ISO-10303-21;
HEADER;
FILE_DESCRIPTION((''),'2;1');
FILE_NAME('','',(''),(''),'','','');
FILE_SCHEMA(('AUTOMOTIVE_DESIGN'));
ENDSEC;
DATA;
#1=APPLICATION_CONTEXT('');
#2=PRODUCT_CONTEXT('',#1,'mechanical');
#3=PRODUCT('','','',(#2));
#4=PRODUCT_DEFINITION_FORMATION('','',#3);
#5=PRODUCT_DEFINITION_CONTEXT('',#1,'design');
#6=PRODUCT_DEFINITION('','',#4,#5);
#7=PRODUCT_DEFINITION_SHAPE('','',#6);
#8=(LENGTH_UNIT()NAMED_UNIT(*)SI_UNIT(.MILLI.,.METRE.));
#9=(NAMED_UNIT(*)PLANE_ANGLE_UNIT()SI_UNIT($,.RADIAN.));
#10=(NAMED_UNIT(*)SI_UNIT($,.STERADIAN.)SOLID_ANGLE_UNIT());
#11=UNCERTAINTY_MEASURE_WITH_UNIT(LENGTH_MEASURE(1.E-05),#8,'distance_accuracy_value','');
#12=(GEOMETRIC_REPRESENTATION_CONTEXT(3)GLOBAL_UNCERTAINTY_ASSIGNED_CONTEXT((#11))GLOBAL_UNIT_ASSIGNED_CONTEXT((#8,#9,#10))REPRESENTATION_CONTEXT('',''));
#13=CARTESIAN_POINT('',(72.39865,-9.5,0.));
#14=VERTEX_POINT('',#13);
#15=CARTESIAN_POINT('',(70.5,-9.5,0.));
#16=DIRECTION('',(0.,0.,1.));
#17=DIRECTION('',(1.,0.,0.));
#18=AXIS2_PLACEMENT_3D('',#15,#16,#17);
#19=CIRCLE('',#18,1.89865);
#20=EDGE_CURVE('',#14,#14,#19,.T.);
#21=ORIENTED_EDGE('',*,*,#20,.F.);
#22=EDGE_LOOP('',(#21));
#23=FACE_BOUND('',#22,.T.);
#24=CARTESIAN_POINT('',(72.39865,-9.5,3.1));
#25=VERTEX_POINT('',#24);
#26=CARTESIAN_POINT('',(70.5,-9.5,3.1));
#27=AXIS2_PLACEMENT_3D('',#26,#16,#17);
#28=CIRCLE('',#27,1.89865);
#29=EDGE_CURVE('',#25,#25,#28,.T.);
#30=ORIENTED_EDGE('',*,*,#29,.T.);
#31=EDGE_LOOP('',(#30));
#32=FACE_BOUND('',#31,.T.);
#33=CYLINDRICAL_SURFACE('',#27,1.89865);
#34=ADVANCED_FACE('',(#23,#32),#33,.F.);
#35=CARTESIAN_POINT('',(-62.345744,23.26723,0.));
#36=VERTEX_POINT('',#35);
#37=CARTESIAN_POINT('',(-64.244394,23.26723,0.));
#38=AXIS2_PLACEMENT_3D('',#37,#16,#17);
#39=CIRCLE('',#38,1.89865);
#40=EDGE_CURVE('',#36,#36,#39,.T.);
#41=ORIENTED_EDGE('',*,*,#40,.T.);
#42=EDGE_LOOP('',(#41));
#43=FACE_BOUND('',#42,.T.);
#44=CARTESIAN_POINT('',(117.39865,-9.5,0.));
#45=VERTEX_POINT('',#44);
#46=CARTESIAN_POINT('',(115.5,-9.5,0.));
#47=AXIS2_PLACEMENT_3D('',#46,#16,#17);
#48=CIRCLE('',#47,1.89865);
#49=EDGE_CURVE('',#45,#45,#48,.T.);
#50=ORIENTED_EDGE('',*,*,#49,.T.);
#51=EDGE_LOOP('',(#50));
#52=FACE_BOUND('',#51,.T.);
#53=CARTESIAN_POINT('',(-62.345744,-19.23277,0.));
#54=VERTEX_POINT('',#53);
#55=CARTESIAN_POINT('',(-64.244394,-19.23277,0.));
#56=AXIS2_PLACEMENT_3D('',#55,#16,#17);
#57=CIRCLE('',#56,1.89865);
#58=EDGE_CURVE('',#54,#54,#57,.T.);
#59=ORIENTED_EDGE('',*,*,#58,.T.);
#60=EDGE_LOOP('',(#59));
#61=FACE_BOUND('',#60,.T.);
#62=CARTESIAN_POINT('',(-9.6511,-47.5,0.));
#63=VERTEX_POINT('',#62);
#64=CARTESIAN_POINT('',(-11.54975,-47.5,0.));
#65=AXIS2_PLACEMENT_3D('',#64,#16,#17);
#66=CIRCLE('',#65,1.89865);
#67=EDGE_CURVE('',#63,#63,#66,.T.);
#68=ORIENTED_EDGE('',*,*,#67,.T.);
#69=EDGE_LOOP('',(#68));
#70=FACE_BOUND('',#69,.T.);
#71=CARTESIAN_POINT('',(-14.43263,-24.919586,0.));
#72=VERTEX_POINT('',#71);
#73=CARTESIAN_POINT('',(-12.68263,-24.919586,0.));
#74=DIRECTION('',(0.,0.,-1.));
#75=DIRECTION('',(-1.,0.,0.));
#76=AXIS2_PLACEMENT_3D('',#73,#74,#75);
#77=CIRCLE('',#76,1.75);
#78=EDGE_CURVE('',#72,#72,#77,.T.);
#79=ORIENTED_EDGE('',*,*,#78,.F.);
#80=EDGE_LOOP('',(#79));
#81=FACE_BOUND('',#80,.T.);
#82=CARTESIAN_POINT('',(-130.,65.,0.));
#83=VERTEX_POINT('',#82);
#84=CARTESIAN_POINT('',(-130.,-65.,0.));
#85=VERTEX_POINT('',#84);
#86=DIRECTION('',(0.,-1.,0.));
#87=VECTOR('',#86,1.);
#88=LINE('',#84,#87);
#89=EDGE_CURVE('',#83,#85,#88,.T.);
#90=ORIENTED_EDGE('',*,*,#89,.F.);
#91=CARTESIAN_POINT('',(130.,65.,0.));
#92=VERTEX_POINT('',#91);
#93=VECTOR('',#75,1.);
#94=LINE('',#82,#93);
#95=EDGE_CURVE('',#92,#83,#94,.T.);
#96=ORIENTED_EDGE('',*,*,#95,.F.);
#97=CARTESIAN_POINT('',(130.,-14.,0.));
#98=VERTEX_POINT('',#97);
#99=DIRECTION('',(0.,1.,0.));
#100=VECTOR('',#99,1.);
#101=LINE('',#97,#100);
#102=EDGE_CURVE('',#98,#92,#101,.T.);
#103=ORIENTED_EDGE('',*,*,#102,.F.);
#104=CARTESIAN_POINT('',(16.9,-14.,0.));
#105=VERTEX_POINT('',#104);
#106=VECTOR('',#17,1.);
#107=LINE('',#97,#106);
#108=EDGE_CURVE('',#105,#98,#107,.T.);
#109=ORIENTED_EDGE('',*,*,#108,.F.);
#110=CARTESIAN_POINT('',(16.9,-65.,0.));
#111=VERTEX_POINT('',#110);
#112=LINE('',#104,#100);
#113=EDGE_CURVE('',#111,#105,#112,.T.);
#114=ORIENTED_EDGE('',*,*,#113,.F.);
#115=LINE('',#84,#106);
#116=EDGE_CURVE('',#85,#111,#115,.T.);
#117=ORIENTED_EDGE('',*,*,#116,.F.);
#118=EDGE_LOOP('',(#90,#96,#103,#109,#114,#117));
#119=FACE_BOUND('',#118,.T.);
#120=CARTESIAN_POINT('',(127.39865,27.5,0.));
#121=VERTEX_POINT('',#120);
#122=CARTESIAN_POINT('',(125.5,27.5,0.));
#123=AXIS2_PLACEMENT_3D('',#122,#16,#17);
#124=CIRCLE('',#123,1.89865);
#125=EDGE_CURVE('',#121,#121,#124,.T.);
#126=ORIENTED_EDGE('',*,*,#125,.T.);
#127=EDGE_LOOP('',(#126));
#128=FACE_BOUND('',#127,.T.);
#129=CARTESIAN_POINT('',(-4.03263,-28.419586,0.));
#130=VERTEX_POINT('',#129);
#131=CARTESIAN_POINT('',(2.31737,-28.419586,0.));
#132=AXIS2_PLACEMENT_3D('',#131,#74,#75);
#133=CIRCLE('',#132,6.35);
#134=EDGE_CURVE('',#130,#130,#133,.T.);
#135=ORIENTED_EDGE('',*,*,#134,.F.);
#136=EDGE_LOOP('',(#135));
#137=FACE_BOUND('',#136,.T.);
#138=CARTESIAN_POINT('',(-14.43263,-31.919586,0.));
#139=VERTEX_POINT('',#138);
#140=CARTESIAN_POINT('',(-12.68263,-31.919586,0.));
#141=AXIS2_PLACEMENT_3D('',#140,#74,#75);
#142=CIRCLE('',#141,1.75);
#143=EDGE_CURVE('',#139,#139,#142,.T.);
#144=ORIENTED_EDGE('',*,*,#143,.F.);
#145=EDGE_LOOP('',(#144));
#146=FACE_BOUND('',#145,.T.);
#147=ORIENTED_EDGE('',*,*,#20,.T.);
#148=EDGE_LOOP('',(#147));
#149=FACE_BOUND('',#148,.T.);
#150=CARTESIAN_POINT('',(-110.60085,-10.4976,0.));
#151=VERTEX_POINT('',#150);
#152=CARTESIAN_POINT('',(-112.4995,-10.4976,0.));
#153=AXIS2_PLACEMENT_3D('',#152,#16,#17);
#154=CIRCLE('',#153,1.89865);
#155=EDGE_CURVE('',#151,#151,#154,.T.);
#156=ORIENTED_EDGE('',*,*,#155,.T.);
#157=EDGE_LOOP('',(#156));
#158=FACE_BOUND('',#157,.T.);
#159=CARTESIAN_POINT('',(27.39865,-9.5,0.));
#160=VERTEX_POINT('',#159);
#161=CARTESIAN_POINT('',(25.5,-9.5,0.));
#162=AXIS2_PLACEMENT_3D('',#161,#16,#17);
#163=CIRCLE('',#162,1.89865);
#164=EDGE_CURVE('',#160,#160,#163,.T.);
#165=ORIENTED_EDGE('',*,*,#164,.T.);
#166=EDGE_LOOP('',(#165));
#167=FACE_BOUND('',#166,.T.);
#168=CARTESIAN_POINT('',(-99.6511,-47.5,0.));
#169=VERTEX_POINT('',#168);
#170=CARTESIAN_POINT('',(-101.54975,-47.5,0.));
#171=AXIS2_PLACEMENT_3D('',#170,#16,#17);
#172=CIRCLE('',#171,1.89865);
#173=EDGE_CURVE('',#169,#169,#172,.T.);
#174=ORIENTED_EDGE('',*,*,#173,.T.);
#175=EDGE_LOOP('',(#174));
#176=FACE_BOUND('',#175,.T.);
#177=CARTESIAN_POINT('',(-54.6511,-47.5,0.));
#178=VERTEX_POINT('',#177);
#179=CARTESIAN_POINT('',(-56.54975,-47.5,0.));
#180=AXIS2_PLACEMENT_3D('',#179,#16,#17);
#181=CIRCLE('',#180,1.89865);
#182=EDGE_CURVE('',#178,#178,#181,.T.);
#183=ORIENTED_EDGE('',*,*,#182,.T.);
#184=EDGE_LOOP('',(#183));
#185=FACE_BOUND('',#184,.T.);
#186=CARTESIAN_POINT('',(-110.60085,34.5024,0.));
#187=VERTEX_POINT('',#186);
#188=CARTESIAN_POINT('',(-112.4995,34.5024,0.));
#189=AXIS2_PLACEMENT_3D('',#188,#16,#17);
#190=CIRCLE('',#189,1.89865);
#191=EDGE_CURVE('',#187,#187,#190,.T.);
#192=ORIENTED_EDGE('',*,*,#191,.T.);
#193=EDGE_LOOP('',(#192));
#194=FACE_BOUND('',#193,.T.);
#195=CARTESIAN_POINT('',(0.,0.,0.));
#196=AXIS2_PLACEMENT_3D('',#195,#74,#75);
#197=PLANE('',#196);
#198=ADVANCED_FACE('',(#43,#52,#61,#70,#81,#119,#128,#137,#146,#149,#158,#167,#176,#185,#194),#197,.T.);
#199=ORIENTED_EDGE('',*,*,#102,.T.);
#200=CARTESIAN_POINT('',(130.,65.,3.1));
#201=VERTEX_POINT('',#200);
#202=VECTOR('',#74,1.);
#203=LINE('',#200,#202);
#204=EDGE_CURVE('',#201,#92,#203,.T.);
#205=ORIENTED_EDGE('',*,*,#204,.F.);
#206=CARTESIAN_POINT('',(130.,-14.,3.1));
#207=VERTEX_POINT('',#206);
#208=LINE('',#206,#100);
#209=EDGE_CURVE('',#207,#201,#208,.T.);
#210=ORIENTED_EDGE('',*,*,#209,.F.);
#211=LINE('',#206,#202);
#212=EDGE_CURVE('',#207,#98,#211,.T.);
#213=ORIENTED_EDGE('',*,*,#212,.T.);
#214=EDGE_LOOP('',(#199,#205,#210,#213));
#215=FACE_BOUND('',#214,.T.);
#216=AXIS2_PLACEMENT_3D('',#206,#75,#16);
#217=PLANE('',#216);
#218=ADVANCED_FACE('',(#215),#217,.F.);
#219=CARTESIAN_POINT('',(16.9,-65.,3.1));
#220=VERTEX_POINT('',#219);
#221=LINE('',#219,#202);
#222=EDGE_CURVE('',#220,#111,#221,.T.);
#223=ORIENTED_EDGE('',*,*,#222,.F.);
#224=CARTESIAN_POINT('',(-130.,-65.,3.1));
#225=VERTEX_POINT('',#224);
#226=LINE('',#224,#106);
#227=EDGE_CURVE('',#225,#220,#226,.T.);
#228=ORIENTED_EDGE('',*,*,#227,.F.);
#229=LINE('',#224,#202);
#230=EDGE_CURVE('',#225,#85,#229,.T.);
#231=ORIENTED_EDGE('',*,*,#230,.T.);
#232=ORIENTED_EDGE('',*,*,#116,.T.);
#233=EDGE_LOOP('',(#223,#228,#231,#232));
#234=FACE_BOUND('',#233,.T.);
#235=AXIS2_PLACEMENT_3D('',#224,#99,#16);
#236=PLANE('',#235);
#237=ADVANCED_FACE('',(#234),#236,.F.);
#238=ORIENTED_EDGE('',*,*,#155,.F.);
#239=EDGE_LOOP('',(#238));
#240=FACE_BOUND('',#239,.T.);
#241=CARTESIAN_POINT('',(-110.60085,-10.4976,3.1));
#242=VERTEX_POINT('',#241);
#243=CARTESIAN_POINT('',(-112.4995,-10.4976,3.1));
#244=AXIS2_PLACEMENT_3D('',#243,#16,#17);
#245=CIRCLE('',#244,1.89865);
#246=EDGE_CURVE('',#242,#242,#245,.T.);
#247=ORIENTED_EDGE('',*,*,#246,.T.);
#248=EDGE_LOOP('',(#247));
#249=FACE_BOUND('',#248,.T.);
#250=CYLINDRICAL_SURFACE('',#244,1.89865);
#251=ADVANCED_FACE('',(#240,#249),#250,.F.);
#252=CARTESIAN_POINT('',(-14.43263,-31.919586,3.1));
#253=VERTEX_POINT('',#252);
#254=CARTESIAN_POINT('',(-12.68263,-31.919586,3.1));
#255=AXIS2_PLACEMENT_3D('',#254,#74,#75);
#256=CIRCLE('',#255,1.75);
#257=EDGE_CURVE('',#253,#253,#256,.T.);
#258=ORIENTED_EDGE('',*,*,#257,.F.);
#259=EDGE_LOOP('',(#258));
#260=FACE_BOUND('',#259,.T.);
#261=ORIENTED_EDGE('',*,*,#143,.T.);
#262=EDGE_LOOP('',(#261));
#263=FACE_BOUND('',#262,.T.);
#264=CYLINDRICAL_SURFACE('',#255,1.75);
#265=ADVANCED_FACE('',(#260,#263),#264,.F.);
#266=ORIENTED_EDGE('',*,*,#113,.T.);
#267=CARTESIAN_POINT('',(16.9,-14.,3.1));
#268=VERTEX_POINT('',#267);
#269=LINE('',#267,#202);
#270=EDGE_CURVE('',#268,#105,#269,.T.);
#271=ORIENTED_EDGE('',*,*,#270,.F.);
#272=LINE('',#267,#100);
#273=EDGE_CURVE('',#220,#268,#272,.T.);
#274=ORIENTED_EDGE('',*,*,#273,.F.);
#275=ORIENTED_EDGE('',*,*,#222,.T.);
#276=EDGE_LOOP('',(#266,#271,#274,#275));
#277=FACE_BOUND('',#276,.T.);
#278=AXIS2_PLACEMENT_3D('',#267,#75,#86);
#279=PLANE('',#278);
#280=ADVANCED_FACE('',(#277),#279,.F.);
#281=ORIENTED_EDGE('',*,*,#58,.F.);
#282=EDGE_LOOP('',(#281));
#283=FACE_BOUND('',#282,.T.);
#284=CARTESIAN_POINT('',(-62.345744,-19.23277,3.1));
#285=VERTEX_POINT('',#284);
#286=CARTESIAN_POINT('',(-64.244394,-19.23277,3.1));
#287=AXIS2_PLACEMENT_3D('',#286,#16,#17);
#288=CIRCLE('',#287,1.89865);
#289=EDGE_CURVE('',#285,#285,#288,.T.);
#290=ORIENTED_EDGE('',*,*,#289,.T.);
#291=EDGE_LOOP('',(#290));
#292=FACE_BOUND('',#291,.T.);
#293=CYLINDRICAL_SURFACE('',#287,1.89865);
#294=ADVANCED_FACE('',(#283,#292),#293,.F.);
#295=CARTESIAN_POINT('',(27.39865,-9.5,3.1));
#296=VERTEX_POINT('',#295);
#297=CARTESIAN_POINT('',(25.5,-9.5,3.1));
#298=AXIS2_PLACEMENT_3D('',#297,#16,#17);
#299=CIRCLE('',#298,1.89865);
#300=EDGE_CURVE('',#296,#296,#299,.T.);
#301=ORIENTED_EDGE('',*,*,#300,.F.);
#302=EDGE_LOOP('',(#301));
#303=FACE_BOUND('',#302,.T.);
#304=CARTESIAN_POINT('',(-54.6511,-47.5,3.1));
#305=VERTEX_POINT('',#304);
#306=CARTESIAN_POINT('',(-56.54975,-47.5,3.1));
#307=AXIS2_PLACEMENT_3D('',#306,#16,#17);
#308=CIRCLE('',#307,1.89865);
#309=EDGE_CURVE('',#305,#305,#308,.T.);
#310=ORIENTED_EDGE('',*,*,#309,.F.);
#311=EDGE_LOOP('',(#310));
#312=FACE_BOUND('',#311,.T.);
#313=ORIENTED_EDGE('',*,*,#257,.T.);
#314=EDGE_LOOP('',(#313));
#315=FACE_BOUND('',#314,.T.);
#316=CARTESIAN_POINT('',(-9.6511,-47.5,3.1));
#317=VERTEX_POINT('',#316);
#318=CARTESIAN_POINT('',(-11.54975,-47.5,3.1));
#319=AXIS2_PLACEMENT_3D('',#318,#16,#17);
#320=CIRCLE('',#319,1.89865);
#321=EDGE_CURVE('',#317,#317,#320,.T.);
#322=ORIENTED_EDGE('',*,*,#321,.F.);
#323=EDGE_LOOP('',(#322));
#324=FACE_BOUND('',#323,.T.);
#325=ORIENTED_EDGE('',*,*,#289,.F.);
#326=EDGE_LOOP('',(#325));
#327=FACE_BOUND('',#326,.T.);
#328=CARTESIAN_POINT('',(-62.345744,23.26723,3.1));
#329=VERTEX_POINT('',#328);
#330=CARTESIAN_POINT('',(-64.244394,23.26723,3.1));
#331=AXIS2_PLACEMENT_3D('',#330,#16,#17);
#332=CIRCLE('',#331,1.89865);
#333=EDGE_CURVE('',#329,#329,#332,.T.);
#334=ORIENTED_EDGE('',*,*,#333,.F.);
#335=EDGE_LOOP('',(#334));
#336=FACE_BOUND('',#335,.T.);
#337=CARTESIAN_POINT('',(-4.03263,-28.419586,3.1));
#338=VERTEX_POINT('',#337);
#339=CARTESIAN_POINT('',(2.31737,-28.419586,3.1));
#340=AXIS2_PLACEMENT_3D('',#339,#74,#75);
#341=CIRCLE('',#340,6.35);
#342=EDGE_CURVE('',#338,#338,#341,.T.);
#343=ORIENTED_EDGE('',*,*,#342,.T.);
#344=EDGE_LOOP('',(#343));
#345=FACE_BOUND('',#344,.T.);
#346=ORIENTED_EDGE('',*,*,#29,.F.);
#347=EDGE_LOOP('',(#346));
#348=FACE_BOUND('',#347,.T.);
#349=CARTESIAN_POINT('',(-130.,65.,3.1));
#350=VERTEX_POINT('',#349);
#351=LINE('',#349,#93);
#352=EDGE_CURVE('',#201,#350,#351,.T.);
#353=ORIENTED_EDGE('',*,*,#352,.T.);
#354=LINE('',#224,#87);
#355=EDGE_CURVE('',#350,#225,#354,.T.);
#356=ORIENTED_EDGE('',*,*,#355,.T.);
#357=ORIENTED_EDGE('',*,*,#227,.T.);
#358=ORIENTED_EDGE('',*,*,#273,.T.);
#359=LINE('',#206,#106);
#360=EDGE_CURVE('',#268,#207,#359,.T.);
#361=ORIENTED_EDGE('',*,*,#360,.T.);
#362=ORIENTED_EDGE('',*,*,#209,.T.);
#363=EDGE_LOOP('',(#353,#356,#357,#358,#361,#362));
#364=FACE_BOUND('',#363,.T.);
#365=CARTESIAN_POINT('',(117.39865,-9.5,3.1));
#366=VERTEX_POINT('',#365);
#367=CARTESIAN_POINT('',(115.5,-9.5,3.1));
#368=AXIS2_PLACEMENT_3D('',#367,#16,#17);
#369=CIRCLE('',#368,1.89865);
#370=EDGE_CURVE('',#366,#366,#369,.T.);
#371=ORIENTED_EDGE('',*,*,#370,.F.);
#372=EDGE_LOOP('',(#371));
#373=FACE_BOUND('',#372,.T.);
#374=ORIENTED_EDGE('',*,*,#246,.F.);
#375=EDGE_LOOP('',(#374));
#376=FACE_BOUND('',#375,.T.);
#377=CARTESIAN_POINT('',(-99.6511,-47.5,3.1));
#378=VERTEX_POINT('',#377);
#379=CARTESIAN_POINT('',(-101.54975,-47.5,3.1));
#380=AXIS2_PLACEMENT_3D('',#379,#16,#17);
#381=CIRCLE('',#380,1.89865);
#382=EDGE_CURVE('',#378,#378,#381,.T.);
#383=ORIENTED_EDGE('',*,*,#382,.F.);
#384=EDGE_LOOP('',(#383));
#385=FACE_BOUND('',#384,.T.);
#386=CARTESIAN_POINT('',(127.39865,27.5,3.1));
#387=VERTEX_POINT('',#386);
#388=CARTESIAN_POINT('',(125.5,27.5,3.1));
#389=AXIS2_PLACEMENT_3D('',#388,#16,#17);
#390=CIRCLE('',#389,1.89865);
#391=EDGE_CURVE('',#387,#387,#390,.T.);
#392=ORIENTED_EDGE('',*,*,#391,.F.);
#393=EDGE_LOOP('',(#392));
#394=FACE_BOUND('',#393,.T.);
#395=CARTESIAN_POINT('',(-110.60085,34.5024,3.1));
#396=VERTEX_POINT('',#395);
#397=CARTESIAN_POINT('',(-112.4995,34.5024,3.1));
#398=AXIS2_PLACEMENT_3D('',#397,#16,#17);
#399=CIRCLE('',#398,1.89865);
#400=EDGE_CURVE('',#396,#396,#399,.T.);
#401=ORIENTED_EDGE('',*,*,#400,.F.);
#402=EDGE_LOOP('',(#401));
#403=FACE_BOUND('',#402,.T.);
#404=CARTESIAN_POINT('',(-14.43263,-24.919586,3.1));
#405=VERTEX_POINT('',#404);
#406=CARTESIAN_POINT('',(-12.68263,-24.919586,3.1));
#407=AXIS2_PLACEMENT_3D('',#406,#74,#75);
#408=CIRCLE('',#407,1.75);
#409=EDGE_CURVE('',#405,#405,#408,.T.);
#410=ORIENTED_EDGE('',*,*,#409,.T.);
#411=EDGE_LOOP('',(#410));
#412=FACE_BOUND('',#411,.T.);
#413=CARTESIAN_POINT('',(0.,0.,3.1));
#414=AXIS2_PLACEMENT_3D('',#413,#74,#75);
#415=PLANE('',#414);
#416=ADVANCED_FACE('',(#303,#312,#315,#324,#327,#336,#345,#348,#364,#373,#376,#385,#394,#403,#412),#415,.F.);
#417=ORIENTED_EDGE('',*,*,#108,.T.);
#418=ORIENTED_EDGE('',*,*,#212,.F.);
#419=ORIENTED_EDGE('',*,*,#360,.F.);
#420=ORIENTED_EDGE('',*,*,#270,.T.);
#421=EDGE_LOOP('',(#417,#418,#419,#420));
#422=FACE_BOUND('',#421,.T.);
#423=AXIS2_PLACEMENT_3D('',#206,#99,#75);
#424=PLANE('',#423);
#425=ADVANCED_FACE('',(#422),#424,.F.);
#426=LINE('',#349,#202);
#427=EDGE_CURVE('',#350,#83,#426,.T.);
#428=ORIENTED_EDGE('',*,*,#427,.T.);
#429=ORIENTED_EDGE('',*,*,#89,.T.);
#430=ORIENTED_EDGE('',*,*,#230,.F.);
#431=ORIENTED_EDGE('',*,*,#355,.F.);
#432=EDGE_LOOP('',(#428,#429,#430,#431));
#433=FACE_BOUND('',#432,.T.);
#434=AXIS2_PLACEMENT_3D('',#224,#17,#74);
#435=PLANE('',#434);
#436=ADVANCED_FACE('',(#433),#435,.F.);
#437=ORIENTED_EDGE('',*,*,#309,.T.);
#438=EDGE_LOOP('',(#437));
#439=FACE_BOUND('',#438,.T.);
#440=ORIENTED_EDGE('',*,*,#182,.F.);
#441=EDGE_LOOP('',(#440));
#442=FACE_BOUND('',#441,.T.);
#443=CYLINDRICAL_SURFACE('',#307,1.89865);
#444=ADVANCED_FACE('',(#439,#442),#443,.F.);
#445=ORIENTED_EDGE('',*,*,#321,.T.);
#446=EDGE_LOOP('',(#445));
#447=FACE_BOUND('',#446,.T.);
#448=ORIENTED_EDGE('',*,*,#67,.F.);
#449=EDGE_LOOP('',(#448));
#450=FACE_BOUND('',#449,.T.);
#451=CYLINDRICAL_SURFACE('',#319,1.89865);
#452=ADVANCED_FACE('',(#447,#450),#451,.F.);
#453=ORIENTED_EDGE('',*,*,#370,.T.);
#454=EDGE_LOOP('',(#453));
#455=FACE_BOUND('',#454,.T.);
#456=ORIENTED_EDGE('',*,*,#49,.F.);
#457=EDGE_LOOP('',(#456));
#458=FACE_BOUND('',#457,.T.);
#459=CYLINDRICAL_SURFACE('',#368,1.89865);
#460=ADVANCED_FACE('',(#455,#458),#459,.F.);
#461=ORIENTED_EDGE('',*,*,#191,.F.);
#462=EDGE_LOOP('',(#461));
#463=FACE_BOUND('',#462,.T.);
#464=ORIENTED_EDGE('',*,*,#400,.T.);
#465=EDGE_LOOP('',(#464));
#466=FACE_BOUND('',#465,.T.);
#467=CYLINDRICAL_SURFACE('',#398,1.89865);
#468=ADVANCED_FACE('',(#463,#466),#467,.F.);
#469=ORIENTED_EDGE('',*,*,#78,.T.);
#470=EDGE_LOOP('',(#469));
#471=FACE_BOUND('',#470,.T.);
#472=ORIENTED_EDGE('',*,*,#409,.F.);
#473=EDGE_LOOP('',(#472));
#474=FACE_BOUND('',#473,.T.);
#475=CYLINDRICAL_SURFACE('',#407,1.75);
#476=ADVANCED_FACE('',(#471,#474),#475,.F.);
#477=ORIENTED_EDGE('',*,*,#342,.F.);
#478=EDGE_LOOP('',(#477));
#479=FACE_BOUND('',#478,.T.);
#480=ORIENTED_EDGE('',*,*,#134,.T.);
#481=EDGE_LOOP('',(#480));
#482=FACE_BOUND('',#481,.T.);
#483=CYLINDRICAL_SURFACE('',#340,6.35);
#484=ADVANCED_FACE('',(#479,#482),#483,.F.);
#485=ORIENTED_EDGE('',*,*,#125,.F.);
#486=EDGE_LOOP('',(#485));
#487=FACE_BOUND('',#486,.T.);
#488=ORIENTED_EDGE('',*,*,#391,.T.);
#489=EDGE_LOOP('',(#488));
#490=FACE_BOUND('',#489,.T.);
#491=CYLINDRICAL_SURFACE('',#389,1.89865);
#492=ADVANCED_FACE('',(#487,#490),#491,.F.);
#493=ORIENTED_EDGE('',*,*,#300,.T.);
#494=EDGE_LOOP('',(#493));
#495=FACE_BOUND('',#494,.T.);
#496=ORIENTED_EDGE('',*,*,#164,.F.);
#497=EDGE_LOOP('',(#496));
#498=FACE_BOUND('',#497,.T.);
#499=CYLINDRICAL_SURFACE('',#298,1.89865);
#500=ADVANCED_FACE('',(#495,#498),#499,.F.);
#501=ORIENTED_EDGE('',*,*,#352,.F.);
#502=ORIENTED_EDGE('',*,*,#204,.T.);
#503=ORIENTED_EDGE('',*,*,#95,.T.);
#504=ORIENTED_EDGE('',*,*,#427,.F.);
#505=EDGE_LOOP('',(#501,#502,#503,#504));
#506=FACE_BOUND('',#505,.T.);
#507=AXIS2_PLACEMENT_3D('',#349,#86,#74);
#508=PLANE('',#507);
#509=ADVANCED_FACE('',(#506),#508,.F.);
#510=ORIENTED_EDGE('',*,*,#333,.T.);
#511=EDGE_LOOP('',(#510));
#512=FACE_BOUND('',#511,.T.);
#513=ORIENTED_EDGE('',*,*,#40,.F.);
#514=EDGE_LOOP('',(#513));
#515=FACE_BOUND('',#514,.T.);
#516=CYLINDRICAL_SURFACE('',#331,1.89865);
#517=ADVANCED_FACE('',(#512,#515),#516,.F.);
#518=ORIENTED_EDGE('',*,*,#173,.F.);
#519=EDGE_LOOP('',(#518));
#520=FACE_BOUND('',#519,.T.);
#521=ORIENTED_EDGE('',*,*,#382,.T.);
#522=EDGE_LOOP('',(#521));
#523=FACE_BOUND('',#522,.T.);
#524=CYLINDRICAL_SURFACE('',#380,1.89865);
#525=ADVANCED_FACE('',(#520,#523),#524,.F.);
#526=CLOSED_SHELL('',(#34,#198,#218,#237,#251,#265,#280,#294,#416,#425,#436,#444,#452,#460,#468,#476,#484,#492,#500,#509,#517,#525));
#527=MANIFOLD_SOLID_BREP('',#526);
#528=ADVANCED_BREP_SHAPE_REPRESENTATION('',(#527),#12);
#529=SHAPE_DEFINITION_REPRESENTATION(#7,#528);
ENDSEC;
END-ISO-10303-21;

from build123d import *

# Parameters (mm, degrees)
BOSS_EXTRUDE1_DEPTH   = 3.1
F_6_CLEARANCE_HOLE1_D = 3.7973
F_6_CLEARANCE_HOLE2_D = 3.7973
SKETCH8_R             = 6.35
SKETCH8_R_2           = 1.75
CUT_EXTRUDE1_DEPTH    = 4.1


with BuildPart() as part:
    # Sketch1 → Boss-Extrude1 (new body)
    with BuildSketch(Plane.XY):
        Polygon((130, -14), (16.9, -14), (16.9, -65), (-130, -65), (-130, 65), (130, 65), align=None)
    extrude(amount=BOSS_EXTRUDE1_DEPTH)

    # #6 Clearance Hole1 (through all)
    with Locations(Plane.XY.offset(3.1)):
        with Locations((25.5, -9.5), (70.5, -9.5), (115.5, -9.5), (-11.54975, -47.5), (-56.54975, -47.5), (-101.54975, -47.5), (125.5, 27.5), (-64.244394137, -19.232770082), (-64.244394137, 23.267229918)):
            Hole(F_6_CLEARANCE_HOLE1_D / 2)

    # #6 Clearance Hole2 (through all)
    with Locations(Plane.XY.offset(3.1)):
        with Locations((-112.4995, 34.5024), (-112.4995, -10.4976)):
            Hole(F_6_CLEARANCE_HOLE2_D / 2)

    # Sketch8 → Cut-Extrude1 (cut, through all)
    with BuildSketch(Plane(origin=(0, 0, 0), x_dir=(-1, 0, 0), z_dir=(0, 0, -1))):
        with Locations((-2.31737005, -28.419585766)):
            Circle(SKETCH8_R)
        with Locations((12.68262995, -24.919585766)):
            Circle(SKETCH8_R_2)
        with Locations((12.68262995, -31.919585766)):
            Circle(SKETCH8_R_2)
    extrude(amount=-CUT_EXTRUDE1_DEPTH, mode=Mode.SUBTRACT)


solid = part.part
